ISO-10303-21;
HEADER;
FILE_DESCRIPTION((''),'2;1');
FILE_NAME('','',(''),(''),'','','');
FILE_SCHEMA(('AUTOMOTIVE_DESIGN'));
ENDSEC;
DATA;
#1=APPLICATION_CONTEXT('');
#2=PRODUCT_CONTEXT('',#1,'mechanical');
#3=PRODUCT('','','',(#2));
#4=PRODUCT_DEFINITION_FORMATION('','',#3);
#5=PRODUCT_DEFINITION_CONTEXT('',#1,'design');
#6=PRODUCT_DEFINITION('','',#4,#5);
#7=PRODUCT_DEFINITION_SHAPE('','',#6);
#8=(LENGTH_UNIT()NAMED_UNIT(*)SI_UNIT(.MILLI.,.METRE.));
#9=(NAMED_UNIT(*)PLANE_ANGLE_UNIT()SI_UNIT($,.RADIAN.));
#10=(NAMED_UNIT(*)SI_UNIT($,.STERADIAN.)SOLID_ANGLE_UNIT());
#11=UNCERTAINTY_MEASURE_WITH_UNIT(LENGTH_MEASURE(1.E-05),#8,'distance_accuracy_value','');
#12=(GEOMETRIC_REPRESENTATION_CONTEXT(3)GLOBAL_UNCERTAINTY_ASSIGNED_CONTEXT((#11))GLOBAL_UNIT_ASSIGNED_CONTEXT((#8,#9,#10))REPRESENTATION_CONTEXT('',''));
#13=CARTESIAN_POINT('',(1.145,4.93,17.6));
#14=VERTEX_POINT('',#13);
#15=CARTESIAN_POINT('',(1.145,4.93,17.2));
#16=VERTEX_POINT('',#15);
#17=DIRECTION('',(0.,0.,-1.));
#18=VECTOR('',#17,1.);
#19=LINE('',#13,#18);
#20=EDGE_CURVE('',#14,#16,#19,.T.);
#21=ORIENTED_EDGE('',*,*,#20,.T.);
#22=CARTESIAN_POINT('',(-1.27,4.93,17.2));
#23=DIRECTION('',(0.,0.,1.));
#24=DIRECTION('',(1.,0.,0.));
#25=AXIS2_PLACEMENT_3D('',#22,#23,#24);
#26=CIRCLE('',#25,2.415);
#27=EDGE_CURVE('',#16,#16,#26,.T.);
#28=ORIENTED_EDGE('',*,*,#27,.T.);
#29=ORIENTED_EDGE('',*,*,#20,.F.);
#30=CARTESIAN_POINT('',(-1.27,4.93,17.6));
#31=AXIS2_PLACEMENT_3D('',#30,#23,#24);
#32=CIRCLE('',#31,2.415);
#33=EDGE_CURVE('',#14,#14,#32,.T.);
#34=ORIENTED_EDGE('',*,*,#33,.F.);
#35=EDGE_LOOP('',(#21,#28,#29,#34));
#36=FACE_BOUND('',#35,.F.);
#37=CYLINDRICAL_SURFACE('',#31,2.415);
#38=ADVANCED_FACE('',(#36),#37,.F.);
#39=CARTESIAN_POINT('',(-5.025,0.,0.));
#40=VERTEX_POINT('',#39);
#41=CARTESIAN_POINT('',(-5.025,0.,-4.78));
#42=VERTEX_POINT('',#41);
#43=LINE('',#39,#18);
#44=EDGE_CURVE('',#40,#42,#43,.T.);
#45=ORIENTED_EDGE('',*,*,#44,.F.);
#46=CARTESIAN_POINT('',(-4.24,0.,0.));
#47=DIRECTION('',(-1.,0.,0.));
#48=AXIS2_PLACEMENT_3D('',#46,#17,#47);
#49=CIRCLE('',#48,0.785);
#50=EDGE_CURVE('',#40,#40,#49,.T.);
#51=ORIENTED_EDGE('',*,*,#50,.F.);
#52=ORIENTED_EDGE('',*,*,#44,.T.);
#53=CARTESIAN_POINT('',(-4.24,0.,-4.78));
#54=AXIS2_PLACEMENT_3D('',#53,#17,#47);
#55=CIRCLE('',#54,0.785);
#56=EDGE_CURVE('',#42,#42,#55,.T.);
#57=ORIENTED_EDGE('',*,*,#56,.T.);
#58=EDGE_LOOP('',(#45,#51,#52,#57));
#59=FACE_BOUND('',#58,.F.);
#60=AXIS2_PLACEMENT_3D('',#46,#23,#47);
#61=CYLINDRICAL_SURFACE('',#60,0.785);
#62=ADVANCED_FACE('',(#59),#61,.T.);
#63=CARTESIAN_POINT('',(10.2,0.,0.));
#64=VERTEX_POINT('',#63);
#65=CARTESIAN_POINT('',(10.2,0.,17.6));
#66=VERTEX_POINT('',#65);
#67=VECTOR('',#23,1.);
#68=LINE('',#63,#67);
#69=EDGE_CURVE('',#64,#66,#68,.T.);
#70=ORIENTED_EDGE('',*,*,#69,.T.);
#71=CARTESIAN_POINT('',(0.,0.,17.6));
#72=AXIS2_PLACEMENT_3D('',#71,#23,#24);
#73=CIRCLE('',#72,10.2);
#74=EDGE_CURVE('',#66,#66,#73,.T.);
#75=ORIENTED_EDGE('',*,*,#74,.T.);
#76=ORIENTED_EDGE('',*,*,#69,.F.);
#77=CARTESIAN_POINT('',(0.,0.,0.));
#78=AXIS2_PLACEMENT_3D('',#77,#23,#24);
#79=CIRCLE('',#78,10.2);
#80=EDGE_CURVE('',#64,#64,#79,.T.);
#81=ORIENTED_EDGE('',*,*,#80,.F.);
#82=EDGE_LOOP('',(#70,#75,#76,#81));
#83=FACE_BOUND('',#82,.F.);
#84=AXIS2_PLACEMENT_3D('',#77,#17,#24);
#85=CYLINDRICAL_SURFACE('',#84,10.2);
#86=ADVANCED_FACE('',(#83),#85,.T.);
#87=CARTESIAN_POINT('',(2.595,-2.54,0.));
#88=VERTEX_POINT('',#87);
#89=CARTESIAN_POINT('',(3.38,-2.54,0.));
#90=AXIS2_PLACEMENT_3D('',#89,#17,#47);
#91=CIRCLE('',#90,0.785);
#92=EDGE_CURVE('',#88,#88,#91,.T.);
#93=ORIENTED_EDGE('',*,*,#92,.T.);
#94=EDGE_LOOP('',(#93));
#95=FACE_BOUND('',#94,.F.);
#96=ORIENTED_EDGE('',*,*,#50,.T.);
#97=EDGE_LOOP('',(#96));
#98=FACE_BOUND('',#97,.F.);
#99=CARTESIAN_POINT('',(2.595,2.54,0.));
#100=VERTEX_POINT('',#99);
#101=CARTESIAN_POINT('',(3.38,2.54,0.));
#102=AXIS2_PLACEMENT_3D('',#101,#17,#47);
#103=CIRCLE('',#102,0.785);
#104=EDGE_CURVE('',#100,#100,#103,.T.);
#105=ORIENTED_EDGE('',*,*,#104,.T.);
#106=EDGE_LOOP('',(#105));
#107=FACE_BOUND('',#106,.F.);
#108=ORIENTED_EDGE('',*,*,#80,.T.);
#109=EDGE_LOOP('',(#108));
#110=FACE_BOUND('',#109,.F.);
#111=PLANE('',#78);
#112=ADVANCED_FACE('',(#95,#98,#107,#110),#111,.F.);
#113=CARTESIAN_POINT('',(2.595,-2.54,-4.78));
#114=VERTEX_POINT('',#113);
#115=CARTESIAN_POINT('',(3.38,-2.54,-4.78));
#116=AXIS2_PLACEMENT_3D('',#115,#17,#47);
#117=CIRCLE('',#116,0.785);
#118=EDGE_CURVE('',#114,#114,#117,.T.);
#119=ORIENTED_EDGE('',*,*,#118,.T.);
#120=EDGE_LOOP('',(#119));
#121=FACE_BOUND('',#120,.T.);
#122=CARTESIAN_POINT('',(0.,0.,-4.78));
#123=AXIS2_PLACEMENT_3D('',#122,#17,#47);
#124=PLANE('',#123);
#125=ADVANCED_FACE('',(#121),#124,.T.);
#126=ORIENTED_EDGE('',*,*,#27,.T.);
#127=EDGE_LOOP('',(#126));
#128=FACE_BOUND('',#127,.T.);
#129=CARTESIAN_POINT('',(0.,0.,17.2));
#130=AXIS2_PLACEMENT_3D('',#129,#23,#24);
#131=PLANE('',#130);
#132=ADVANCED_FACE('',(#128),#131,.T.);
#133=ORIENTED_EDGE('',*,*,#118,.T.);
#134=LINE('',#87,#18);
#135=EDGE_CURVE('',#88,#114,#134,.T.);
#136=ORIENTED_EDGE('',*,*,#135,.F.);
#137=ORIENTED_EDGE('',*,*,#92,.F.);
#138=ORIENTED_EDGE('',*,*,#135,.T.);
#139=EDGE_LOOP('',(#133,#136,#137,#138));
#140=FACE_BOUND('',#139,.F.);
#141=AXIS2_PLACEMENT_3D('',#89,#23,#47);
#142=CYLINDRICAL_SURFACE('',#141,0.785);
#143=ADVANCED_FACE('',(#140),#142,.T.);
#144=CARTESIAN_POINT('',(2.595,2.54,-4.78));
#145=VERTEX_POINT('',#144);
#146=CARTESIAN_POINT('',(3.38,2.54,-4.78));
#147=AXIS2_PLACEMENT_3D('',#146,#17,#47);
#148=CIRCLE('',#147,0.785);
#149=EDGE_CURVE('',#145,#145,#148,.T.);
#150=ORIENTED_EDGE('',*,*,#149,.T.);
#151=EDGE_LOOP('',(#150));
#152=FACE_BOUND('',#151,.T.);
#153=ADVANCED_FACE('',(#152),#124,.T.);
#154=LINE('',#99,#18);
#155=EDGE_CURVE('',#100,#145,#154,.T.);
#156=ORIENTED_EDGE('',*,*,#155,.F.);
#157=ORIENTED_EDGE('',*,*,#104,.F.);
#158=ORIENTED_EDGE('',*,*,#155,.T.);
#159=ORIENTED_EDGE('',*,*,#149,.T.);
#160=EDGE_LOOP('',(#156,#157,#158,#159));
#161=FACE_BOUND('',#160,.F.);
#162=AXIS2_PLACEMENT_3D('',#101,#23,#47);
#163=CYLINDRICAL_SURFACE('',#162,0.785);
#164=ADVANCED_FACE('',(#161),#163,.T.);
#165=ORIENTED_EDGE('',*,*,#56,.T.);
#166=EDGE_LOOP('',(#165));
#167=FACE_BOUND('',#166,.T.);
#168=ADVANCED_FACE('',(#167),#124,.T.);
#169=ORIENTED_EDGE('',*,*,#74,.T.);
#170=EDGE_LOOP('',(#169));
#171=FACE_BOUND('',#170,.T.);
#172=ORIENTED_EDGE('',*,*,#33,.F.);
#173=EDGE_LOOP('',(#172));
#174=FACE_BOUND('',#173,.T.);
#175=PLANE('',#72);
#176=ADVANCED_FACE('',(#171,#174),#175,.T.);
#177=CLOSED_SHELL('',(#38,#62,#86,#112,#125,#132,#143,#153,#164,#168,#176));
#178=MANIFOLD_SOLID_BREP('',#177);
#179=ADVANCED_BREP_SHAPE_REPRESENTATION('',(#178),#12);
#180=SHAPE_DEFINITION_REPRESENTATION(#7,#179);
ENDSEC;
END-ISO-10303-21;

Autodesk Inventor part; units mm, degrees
ref_plane "YZ Plane" through (0, 0, 0) normal (1, 0, 0) x (0, 1, 0)
ref_plane "XZ Plane" through (0, 0, 0) normal (0, 1, 0) x (-1, 0, 0)
ref_plane "XY Plane" through (0, 0, 0) normal (0, 0, 1) x (1, 0, 0)
sketch "Sketch1" plane through (0, 0, 0) normal (0, 0, 1) x (1, 0, 0)
  circle A0 centre (0, 0) radius 10.2
  dimension "pidTechPlusDia" = 20.4
extrude "Extrusion1" add sketch "Sketch1" along normal blind 17.6
sketch "Sketch2" plane through (0, 0, 17.6) normal (0, 0, 1) x (1, 0, 0)
  circle A0 centre (0, 0) radius 10.2 projected
  line L0 (0, 0) -> (-1.27, 0) construction
  line L1 (-1.27, 0) -> (-1.27, 4.93) construction
  line L2 (-1.27, 4.93) -> (0, 4.93) construction
  line L3 (0, 4.93) -> (0, 0) construction
  circle A1 centre (-1.27, 4.93) radius 2.415
  dimension "d3" = 1.27
  dimension "d4" = 4.93
  dimension "d5" = 4.83
extrude "Extrusion2" cut sketch "Sketch2" against normal blind 0.4 contours A1
sketch "Sketch3" plane through (0, 0, 0) normal (0, 0, -1) x (-1, 0, 0)
  circle A0 centre (0, 0) radius 10.2 projected
  circle A1 centre (1.27, 4.93) radius 2.415 projected
  circle A2 centre (1.27, 4.93) radius 2.415 projected
  line L0 (0, 10.2) -> (0, -10.2) construction
  line L1 (-10.2, 0) -> (10.2, 0) construction
  circle A3 centre (4.24, 0) radius 0.785
  circle A4 centre (-3.38, 2.54) radius 0.785
  circle A5 centre (-3.38, -2.54) radius 0.785
  dimension "d8" = 4.24
  dimension "pinDia" = 1.57
  dimension "d10" = 7.62
  dimension "d11" = 5.08
extrude "Extrusion3" add sketch "Sketch3" along normal blind 4.78 contours A3 | A4 | A5
properties part number "pidtech plus"
